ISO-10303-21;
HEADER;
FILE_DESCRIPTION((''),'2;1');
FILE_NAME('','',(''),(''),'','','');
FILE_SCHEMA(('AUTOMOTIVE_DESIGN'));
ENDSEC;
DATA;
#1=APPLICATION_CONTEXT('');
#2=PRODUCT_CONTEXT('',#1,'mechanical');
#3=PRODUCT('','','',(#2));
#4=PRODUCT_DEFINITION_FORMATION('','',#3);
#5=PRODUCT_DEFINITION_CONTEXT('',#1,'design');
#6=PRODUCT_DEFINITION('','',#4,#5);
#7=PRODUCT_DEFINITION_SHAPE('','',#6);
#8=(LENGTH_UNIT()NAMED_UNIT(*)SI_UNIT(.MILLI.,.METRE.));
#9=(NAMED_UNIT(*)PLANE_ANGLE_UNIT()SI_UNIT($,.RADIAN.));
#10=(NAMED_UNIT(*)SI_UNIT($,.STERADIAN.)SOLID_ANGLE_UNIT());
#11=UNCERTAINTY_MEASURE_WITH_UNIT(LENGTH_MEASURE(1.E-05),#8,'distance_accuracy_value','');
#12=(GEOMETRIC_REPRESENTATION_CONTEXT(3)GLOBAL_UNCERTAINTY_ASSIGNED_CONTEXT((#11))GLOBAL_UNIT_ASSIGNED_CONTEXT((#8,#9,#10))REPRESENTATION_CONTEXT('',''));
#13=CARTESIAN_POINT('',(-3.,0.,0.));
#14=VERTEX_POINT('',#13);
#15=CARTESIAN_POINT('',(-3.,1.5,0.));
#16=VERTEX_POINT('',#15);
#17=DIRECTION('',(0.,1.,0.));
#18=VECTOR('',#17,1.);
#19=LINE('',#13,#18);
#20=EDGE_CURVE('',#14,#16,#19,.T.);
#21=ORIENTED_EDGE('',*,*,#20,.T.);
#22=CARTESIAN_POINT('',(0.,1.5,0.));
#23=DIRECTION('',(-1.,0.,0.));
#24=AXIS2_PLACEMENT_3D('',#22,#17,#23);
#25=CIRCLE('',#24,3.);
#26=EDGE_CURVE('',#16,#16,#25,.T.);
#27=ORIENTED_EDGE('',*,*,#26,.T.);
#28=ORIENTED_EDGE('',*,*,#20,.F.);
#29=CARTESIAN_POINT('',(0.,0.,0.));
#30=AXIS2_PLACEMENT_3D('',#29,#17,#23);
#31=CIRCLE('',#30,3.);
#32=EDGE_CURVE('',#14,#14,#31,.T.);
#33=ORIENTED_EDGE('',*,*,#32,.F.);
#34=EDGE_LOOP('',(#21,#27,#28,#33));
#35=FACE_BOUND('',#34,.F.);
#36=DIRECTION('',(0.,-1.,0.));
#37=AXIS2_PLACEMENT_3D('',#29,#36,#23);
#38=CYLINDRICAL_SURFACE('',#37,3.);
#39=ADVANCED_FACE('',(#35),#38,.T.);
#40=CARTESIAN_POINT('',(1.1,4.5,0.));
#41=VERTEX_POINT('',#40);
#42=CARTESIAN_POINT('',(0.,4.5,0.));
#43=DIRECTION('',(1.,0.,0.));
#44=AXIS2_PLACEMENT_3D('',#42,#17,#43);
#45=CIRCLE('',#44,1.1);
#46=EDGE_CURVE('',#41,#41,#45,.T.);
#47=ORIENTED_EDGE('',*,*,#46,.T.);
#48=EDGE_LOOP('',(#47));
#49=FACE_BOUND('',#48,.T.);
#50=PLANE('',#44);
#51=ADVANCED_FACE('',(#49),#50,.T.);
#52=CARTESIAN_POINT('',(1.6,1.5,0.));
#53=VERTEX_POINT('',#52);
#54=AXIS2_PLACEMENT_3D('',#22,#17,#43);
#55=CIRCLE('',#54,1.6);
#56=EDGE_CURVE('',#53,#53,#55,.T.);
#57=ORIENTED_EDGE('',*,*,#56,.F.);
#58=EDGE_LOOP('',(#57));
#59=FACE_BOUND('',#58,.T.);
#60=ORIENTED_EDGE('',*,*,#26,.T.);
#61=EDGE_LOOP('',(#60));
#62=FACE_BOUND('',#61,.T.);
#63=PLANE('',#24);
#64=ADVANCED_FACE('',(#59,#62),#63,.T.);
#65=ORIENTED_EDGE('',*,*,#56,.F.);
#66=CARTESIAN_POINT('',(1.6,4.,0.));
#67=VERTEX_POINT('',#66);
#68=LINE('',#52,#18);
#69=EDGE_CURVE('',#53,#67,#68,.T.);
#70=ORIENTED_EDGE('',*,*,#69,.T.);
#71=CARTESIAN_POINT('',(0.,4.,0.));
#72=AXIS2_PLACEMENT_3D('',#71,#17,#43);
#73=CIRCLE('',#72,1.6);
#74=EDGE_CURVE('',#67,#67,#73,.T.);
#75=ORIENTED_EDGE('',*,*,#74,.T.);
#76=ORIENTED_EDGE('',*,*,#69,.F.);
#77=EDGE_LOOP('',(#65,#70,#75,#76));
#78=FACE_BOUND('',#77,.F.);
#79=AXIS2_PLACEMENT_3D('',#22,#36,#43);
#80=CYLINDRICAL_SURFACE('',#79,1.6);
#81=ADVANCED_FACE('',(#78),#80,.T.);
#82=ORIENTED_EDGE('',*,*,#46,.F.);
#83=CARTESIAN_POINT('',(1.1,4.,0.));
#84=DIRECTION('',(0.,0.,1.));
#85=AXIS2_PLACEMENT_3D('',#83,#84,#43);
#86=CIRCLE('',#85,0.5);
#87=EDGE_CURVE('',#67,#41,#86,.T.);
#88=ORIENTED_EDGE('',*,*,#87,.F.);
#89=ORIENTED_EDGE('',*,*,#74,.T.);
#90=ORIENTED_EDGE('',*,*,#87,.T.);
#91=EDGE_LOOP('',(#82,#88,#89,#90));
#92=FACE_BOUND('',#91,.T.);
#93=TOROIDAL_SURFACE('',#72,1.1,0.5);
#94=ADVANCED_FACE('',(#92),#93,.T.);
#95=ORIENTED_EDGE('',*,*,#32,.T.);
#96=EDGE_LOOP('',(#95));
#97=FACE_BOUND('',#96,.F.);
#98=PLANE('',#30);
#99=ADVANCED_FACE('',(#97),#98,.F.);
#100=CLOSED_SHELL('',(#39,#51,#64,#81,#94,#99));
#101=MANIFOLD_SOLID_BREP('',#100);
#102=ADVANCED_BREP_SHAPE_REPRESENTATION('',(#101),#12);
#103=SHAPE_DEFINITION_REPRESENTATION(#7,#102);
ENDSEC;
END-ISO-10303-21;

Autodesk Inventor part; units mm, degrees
ref_plane "YZ Plane" through (0, 0, 0) normal (1, 0, 0) x (0, 1, 0)
ref_plane "XZ Plane" through (0, 0, 0) normal (0, 1, 0) x (-1, 0, 0)
ref_plane "XY Plane" through (0, 0, 0) normal (0, 0, 1) x (1, 0, 0)
sketch "Эскиз1" plane through (0, 0, 0) normal (0, 1, 0) x (-1, 0, 0)
  circle A0 centre (0, 0) radius 3
  dimension "d0" = 6
extrude "Выдавливание1" add sketch "Эскиз1" along normal blind 1.5
sketch "Эскиз2" plane through (0, 1.5, 0) normal (0, 1, 0) x (1, 0, 0)
  circle A0 centre (0, 0) radius 1.6
  dimension "d3" = 3.2
extrude "Выдавливание2" add sketch "Эскиз2" along normal blind 3
fillet "Сопряжение1" radius 0.5 1 edges at (-1.6, 4.5, 0)
properties part number "BUTTON"
